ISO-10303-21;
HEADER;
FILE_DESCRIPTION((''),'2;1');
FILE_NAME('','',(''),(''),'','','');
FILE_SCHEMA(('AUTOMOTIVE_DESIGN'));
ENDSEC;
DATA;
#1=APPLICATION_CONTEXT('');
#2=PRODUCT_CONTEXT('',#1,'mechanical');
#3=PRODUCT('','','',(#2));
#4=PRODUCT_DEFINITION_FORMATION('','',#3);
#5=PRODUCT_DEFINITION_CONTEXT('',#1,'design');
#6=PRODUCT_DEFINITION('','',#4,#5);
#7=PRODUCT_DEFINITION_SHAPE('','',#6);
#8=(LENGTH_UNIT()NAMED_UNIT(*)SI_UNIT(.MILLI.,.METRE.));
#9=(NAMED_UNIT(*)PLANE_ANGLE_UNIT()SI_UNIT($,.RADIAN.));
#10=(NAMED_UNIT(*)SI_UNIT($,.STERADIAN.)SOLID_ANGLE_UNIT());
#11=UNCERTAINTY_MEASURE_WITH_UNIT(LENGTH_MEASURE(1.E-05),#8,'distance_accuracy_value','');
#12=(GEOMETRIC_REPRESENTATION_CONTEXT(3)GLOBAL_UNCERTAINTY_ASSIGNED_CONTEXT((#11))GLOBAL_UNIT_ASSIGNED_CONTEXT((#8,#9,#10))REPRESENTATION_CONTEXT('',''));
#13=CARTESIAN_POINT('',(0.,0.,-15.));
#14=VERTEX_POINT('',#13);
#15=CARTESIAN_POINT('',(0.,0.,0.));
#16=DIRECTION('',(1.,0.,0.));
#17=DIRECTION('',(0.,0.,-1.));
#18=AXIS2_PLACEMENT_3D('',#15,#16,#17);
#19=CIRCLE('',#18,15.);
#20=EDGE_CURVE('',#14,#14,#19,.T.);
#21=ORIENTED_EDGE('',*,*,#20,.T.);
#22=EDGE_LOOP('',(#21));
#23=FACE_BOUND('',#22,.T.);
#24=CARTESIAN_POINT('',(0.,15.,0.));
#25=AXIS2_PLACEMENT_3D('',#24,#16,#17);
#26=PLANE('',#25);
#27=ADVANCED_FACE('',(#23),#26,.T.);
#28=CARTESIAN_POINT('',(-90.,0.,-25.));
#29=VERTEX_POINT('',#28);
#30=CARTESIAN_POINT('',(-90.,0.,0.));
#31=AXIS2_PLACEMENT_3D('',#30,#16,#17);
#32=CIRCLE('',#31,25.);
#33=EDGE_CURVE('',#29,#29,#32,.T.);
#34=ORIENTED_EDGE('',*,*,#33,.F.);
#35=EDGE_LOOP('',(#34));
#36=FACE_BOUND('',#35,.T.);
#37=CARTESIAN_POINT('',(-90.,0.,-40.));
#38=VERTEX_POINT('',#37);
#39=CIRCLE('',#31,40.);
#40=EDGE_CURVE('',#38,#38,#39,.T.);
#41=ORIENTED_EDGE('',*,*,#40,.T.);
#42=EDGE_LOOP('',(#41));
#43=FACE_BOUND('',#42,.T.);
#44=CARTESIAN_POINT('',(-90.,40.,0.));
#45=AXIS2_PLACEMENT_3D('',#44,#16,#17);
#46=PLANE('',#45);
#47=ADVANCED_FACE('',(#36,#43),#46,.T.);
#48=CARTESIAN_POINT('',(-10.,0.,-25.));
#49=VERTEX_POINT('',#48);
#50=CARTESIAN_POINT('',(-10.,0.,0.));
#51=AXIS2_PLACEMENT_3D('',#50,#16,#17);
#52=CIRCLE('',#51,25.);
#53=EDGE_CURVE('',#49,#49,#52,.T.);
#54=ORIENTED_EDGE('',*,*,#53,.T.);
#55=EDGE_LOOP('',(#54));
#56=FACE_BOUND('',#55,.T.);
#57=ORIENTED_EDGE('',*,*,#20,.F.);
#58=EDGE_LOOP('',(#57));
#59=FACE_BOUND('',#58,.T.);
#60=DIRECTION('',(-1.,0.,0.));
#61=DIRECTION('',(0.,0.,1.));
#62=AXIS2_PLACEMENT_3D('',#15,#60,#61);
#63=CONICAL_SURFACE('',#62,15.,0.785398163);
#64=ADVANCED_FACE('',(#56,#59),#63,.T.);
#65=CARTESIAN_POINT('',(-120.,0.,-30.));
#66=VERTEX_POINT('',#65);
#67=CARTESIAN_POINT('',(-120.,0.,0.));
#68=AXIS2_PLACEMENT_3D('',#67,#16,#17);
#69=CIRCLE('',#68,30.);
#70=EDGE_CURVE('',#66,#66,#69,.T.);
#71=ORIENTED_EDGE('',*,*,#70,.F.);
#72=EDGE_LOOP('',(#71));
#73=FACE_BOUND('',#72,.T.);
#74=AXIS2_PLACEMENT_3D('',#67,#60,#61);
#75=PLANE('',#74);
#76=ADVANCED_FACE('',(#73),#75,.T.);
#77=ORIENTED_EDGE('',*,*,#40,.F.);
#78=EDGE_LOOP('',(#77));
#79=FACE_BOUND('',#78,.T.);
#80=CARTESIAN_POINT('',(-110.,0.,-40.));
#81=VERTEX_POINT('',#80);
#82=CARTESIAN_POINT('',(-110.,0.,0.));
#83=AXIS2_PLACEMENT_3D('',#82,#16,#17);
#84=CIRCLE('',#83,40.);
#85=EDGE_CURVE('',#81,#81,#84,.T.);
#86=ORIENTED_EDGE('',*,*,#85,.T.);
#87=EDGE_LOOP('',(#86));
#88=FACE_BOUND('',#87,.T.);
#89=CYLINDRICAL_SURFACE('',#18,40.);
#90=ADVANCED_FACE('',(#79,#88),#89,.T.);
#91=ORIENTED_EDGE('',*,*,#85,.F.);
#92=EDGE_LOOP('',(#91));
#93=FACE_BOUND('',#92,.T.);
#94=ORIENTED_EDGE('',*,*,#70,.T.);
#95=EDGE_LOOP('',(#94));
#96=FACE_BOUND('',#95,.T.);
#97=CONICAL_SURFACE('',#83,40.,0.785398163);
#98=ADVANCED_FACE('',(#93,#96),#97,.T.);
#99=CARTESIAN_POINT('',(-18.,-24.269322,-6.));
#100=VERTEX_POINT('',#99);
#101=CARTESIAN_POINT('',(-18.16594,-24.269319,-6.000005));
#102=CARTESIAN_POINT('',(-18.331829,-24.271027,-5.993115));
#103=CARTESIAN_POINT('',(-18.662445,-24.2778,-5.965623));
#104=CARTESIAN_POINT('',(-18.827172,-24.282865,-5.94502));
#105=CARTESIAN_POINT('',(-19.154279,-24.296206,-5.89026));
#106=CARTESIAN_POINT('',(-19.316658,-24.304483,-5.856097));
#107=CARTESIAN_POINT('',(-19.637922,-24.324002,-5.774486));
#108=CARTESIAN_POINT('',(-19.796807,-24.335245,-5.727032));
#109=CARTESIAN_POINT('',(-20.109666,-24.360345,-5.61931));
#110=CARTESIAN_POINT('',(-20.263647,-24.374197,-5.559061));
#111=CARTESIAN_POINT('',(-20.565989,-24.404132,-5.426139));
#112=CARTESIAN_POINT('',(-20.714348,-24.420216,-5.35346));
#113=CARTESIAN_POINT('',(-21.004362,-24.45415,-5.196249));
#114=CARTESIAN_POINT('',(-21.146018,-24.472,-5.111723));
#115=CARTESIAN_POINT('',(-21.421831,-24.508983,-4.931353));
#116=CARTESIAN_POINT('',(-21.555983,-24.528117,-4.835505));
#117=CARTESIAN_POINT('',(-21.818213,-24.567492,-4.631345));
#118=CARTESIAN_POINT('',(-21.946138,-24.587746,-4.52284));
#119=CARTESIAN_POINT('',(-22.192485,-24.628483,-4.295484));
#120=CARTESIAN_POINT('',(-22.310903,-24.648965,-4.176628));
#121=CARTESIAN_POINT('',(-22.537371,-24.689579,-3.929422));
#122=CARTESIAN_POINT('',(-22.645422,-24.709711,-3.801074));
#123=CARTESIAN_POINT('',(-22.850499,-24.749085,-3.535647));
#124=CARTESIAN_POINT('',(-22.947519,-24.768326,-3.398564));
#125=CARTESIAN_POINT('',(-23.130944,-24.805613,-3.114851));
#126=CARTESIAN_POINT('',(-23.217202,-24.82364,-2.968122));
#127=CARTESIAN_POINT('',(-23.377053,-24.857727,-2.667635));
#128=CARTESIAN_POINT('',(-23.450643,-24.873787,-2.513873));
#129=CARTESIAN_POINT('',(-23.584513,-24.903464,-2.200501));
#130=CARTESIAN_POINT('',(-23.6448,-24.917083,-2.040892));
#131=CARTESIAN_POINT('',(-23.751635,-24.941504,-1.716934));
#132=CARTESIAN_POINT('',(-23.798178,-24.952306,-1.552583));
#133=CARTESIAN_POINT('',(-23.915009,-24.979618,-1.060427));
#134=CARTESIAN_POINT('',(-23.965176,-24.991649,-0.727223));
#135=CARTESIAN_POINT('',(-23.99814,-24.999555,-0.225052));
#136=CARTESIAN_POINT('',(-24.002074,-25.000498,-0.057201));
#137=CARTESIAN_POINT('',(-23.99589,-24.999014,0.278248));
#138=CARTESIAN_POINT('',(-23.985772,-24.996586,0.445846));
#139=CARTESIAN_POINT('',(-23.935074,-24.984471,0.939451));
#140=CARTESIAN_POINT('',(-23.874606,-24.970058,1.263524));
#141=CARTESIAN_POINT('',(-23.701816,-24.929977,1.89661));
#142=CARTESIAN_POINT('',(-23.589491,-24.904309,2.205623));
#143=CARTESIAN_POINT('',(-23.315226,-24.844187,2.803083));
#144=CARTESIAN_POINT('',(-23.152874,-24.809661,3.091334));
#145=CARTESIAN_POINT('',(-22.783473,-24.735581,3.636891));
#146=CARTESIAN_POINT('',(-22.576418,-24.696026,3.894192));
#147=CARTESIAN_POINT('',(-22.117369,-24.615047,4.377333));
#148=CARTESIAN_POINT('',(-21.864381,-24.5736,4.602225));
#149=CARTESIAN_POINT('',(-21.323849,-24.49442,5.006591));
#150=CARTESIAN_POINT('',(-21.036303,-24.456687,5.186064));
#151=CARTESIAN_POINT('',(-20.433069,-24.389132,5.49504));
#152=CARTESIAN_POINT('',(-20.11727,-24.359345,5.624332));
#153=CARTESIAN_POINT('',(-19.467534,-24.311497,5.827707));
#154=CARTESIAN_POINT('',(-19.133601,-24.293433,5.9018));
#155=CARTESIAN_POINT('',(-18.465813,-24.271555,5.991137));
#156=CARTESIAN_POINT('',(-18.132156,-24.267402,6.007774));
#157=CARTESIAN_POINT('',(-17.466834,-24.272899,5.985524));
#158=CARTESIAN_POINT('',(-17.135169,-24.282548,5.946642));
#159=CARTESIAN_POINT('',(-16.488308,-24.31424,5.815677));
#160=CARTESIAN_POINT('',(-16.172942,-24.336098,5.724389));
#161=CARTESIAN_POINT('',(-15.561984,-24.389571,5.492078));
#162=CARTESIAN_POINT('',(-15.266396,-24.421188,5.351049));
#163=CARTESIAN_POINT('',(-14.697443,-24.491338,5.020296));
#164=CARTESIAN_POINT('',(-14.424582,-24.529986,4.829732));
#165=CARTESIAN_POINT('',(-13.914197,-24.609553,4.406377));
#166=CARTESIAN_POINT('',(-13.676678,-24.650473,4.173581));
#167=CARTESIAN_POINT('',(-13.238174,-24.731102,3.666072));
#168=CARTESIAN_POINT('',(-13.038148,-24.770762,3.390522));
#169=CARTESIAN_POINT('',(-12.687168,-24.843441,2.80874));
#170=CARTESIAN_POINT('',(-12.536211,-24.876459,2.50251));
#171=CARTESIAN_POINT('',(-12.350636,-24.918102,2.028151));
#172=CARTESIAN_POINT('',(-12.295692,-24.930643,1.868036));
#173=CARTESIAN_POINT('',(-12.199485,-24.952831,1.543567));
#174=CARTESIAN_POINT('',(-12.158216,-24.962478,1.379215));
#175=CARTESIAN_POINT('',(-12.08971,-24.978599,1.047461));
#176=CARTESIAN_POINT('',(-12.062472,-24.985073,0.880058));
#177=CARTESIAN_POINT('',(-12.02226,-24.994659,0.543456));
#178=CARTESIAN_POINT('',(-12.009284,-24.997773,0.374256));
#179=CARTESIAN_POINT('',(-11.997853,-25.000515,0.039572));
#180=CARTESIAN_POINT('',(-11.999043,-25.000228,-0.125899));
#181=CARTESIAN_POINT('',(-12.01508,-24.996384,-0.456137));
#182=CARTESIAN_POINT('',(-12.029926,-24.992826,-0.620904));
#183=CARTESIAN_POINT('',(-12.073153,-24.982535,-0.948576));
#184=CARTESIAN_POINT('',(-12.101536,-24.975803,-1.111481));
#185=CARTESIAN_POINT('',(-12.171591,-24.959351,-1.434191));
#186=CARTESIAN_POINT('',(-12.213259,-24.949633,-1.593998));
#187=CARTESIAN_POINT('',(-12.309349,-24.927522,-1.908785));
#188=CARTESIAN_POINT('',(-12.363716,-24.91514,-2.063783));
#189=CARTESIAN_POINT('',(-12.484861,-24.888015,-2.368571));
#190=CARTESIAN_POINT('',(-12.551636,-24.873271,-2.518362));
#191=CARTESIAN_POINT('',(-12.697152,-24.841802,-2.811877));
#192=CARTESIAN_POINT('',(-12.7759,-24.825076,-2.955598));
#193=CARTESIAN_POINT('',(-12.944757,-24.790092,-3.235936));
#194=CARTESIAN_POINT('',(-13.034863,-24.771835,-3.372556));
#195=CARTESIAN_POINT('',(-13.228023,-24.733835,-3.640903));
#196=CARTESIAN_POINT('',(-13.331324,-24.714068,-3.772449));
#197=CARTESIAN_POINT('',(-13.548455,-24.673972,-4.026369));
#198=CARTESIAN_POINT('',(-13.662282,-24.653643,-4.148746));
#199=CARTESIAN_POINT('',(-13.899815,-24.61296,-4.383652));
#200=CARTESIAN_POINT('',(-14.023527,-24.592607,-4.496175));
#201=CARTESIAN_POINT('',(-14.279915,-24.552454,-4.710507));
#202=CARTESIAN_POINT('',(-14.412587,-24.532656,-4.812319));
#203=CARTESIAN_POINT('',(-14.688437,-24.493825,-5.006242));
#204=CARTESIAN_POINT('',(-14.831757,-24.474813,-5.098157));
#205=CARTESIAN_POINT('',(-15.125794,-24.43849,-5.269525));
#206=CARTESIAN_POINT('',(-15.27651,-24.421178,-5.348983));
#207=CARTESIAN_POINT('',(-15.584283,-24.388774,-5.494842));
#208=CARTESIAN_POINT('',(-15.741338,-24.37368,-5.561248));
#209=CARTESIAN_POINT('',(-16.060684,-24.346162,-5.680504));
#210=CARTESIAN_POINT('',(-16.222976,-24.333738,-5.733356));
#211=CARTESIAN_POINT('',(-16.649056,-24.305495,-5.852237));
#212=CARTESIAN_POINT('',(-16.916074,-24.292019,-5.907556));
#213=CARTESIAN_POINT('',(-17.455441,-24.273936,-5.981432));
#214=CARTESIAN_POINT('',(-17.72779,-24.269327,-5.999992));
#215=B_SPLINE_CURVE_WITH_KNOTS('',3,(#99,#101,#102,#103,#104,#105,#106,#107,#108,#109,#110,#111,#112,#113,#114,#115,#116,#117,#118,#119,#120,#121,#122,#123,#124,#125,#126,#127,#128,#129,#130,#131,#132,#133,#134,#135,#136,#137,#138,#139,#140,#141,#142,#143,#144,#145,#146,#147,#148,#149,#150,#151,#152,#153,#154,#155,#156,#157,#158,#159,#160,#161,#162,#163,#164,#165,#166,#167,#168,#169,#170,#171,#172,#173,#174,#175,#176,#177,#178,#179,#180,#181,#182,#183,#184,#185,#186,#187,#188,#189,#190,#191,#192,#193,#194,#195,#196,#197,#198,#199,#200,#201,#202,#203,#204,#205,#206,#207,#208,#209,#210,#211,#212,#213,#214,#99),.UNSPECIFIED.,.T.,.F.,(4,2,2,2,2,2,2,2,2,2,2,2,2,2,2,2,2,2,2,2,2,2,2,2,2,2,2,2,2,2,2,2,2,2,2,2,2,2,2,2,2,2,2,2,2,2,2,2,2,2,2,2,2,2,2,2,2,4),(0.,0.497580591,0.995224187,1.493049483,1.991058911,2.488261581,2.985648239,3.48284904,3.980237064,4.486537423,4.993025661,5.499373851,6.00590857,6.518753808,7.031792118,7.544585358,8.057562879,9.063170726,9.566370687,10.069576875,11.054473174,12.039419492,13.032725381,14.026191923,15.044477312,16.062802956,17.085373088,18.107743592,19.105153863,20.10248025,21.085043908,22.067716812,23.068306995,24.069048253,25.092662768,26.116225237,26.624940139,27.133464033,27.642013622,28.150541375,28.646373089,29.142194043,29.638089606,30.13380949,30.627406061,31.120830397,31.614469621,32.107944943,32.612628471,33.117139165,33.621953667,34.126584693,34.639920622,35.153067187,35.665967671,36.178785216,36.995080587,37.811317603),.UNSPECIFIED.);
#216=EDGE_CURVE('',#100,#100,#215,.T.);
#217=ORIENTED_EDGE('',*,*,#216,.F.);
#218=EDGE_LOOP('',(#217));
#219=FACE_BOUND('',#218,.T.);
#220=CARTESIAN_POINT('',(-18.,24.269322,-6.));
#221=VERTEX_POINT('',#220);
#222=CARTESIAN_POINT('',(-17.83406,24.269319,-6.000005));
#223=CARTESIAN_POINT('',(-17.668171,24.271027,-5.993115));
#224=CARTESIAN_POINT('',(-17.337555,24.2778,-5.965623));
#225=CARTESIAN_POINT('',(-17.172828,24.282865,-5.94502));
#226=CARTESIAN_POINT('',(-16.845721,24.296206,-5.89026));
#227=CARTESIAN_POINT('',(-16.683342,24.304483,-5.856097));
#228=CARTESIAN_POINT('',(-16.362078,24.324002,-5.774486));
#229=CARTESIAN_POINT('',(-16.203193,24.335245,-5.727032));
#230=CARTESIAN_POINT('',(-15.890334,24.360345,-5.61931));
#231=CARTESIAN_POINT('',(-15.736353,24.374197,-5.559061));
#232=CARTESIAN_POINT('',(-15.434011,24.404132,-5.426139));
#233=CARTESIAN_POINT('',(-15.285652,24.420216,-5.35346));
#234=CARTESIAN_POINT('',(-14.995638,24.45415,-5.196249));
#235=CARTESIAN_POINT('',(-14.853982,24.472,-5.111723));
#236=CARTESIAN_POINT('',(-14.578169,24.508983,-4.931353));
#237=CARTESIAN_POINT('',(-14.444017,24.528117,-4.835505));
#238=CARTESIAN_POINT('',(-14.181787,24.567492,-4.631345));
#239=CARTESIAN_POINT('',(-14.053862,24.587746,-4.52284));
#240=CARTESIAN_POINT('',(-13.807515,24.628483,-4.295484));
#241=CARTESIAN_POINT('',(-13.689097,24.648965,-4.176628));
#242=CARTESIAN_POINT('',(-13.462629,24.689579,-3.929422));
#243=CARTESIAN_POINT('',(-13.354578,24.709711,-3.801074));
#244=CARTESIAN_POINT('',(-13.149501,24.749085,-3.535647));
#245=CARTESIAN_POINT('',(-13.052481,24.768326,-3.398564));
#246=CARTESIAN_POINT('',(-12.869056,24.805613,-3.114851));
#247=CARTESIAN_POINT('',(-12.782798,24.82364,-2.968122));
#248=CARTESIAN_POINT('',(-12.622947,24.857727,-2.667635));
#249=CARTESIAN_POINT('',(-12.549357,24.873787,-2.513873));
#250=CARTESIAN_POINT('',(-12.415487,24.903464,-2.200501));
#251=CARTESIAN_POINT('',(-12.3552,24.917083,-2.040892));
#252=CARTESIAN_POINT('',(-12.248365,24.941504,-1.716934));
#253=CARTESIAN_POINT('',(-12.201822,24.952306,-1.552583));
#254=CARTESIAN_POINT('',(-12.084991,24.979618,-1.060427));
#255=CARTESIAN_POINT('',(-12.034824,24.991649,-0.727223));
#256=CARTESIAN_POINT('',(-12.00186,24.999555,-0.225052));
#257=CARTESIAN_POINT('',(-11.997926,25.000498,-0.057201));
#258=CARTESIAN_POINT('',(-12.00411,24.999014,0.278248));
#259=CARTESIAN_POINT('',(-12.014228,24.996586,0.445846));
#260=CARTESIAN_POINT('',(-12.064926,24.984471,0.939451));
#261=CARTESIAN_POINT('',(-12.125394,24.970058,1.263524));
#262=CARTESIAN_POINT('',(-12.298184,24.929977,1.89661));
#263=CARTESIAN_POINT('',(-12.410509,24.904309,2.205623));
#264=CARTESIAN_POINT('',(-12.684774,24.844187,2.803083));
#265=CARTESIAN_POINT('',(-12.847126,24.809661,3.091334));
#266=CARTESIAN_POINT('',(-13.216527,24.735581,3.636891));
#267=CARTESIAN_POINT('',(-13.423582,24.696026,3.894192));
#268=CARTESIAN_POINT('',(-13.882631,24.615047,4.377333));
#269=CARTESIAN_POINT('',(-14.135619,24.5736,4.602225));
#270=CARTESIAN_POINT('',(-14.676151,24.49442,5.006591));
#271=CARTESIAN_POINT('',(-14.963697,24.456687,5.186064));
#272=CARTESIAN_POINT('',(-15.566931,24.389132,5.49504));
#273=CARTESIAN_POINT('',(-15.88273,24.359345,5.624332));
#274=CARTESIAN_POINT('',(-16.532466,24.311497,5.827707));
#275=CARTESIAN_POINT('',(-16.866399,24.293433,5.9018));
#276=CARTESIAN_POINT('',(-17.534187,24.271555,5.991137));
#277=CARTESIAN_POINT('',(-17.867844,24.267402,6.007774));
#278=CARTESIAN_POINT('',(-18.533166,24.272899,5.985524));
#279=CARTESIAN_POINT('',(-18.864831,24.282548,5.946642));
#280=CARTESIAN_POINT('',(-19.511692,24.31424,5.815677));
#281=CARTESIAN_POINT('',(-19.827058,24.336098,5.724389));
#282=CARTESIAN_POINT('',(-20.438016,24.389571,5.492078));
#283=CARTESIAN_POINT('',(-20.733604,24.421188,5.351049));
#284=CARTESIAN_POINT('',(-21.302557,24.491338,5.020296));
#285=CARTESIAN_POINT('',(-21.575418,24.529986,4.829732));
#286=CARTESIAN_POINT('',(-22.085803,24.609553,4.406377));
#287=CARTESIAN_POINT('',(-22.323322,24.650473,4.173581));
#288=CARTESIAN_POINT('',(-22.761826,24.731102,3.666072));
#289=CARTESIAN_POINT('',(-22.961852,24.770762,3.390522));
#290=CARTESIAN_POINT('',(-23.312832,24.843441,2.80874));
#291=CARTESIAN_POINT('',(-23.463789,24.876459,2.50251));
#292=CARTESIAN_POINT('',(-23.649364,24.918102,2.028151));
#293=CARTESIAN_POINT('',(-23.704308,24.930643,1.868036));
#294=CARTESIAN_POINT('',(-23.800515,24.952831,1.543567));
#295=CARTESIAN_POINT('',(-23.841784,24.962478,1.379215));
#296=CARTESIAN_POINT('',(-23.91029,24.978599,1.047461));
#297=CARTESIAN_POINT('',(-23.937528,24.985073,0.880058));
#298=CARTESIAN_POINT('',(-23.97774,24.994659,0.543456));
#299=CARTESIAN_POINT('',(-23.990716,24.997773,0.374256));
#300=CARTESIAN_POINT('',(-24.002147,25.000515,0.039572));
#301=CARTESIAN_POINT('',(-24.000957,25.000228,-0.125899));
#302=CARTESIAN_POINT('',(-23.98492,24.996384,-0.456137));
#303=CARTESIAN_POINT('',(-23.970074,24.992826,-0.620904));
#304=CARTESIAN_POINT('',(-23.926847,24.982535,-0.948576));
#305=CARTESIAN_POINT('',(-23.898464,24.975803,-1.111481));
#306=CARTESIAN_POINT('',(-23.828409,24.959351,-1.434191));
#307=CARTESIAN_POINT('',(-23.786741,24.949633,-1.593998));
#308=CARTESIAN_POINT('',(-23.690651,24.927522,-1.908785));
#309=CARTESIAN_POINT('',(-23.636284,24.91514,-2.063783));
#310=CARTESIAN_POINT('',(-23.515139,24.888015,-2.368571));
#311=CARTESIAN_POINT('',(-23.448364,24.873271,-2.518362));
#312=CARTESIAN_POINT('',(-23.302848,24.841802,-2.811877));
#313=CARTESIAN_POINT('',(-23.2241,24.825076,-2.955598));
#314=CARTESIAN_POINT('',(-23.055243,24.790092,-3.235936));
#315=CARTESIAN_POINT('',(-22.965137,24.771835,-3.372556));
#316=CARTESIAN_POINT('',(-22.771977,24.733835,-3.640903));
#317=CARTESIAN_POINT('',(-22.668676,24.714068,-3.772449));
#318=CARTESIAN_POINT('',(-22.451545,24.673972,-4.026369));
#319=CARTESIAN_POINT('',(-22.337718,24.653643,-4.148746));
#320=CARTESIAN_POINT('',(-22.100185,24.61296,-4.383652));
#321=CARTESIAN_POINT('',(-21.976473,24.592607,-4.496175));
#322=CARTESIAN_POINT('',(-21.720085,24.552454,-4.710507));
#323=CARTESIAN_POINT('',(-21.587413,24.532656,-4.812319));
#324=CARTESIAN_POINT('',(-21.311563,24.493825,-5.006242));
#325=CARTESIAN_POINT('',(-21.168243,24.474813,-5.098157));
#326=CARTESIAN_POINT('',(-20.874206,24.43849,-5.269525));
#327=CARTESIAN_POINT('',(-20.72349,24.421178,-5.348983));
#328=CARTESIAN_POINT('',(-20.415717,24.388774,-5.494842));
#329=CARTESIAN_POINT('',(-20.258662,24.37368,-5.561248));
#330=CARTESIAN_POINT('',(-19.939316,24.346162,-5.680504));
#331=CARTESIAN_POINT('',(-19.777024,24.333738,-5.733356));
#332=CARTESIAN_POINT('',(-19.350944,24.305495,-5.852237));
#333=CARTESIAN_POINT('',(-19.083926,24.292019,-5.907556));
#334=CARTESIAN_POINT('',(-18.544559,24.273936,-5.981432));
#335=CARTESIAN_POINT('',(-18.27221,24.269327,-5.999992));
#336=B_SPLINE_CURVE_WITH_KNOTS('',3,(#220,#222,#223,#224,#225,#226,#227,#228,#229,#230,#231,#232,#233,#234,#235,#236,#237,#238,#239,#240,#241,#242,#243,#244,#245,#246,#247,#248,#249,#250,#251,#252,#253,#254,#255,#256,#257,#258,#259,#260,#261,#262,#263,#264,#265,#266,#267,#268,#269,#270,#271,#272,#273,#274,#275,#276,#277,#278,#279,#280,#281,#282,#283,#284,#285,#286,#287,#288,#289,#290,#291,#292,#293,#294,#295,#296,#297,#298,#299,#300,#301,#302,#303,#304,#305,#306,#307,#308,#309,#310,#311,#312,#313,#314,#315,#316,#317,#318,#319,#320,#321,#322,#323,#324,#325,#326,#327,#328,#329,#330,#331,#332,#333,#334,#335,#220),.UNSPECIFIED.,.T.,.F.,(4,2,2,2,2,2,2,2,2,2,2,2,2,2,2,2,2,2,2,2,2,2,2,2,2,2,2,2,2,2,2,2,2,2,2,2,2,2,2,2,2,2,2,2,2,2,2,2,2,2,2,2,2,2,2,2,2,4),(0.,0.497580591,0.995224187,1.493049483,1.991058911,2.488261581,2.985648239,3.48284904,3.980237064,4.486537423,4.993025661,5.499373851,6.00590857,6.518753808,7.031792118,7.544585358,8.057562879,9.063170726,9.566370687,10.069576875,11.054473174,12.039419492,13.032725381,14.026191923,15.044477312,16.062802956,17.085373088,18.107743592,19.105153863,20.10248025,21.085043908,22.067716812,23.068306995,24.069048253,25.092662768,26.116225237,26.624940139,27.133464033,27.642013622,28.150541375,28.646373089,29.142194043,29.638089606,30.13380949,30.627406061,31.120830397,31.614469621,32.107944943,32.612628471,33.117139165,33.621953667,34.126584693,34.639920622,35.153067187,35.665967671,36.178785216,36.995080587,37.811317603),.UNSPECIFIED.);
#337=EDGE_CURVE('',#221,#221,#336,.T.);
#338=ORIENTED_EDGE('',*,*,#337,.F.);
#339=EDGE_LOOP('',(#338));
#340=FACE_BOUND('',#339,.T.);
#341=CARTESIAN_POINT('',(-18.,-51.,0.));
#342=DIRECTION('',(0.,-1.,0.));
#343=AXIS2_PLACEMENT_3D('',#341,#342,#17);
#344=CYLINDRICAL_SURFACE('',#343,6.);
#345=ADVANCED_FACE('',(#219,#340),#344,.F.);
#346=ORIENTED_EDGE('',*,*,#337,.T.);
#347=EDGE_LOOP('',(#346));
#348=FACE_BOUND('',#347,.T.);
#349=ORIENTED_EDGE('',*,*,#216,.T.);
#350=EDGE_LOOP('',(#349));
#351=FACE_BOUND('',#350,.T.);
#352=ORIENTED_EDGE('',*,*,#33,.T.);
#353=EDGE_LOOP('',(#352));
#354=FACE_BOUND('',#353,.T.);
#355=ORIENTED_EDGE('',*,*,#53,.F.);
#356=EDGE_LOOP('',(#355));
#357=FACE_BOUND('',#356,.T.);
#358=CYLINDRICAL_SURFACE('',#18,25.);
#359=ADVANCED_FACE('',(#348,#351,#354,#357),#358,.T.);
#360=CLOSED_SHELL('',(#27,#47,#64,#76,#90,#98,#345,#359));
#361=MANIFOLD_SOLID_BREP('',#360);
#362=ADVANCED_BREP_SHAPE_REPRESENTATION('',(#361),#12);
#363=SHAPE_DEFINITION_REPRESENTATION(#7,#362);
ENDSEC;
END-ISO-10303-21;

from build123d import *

# Parameters (mm, degrees)
SKETCH_2_W = 6
SKETCH_2_H = 84


with BuildPart() as part:
    # 草圖1 → 迴轉1 (revolve)
    with BuildSketch(Plane.XY, mode=Mode.PRIVATE) as revolve_1_sk:
        Polygon((0, 0), (-120, 0), (-120, 30), (-110, 40), (-90, 40), (-90, 25), (-10, 25), (0, 15), align=None)
    revolve(revolve_1_sk.sketch.rotate(Axis((0, 0, 0), (-1, 0, 0)), 90), axis=Axis((0, 0, 0), (-1, 0, 0)))

    # 草圖2 → 迴轉2 (revolve, cut)
    with BuildSketch(Plane.XY, mode=Mode.PRIVATE) as cut_revolve_2_sk:
        with Locations((-21, -9)):
            Rectangle(SKETCH_2_W, SKETCH_2_H)
    revolve(cut_revolve_2_sk.sketch.rotate(Axis((-18, -51, 0), (0, 1, 0)), 270), axis=Axis((-18, -51, 0), (0, 1, 0)), mode=Mode.SUBTRACT)


solid = part.part
